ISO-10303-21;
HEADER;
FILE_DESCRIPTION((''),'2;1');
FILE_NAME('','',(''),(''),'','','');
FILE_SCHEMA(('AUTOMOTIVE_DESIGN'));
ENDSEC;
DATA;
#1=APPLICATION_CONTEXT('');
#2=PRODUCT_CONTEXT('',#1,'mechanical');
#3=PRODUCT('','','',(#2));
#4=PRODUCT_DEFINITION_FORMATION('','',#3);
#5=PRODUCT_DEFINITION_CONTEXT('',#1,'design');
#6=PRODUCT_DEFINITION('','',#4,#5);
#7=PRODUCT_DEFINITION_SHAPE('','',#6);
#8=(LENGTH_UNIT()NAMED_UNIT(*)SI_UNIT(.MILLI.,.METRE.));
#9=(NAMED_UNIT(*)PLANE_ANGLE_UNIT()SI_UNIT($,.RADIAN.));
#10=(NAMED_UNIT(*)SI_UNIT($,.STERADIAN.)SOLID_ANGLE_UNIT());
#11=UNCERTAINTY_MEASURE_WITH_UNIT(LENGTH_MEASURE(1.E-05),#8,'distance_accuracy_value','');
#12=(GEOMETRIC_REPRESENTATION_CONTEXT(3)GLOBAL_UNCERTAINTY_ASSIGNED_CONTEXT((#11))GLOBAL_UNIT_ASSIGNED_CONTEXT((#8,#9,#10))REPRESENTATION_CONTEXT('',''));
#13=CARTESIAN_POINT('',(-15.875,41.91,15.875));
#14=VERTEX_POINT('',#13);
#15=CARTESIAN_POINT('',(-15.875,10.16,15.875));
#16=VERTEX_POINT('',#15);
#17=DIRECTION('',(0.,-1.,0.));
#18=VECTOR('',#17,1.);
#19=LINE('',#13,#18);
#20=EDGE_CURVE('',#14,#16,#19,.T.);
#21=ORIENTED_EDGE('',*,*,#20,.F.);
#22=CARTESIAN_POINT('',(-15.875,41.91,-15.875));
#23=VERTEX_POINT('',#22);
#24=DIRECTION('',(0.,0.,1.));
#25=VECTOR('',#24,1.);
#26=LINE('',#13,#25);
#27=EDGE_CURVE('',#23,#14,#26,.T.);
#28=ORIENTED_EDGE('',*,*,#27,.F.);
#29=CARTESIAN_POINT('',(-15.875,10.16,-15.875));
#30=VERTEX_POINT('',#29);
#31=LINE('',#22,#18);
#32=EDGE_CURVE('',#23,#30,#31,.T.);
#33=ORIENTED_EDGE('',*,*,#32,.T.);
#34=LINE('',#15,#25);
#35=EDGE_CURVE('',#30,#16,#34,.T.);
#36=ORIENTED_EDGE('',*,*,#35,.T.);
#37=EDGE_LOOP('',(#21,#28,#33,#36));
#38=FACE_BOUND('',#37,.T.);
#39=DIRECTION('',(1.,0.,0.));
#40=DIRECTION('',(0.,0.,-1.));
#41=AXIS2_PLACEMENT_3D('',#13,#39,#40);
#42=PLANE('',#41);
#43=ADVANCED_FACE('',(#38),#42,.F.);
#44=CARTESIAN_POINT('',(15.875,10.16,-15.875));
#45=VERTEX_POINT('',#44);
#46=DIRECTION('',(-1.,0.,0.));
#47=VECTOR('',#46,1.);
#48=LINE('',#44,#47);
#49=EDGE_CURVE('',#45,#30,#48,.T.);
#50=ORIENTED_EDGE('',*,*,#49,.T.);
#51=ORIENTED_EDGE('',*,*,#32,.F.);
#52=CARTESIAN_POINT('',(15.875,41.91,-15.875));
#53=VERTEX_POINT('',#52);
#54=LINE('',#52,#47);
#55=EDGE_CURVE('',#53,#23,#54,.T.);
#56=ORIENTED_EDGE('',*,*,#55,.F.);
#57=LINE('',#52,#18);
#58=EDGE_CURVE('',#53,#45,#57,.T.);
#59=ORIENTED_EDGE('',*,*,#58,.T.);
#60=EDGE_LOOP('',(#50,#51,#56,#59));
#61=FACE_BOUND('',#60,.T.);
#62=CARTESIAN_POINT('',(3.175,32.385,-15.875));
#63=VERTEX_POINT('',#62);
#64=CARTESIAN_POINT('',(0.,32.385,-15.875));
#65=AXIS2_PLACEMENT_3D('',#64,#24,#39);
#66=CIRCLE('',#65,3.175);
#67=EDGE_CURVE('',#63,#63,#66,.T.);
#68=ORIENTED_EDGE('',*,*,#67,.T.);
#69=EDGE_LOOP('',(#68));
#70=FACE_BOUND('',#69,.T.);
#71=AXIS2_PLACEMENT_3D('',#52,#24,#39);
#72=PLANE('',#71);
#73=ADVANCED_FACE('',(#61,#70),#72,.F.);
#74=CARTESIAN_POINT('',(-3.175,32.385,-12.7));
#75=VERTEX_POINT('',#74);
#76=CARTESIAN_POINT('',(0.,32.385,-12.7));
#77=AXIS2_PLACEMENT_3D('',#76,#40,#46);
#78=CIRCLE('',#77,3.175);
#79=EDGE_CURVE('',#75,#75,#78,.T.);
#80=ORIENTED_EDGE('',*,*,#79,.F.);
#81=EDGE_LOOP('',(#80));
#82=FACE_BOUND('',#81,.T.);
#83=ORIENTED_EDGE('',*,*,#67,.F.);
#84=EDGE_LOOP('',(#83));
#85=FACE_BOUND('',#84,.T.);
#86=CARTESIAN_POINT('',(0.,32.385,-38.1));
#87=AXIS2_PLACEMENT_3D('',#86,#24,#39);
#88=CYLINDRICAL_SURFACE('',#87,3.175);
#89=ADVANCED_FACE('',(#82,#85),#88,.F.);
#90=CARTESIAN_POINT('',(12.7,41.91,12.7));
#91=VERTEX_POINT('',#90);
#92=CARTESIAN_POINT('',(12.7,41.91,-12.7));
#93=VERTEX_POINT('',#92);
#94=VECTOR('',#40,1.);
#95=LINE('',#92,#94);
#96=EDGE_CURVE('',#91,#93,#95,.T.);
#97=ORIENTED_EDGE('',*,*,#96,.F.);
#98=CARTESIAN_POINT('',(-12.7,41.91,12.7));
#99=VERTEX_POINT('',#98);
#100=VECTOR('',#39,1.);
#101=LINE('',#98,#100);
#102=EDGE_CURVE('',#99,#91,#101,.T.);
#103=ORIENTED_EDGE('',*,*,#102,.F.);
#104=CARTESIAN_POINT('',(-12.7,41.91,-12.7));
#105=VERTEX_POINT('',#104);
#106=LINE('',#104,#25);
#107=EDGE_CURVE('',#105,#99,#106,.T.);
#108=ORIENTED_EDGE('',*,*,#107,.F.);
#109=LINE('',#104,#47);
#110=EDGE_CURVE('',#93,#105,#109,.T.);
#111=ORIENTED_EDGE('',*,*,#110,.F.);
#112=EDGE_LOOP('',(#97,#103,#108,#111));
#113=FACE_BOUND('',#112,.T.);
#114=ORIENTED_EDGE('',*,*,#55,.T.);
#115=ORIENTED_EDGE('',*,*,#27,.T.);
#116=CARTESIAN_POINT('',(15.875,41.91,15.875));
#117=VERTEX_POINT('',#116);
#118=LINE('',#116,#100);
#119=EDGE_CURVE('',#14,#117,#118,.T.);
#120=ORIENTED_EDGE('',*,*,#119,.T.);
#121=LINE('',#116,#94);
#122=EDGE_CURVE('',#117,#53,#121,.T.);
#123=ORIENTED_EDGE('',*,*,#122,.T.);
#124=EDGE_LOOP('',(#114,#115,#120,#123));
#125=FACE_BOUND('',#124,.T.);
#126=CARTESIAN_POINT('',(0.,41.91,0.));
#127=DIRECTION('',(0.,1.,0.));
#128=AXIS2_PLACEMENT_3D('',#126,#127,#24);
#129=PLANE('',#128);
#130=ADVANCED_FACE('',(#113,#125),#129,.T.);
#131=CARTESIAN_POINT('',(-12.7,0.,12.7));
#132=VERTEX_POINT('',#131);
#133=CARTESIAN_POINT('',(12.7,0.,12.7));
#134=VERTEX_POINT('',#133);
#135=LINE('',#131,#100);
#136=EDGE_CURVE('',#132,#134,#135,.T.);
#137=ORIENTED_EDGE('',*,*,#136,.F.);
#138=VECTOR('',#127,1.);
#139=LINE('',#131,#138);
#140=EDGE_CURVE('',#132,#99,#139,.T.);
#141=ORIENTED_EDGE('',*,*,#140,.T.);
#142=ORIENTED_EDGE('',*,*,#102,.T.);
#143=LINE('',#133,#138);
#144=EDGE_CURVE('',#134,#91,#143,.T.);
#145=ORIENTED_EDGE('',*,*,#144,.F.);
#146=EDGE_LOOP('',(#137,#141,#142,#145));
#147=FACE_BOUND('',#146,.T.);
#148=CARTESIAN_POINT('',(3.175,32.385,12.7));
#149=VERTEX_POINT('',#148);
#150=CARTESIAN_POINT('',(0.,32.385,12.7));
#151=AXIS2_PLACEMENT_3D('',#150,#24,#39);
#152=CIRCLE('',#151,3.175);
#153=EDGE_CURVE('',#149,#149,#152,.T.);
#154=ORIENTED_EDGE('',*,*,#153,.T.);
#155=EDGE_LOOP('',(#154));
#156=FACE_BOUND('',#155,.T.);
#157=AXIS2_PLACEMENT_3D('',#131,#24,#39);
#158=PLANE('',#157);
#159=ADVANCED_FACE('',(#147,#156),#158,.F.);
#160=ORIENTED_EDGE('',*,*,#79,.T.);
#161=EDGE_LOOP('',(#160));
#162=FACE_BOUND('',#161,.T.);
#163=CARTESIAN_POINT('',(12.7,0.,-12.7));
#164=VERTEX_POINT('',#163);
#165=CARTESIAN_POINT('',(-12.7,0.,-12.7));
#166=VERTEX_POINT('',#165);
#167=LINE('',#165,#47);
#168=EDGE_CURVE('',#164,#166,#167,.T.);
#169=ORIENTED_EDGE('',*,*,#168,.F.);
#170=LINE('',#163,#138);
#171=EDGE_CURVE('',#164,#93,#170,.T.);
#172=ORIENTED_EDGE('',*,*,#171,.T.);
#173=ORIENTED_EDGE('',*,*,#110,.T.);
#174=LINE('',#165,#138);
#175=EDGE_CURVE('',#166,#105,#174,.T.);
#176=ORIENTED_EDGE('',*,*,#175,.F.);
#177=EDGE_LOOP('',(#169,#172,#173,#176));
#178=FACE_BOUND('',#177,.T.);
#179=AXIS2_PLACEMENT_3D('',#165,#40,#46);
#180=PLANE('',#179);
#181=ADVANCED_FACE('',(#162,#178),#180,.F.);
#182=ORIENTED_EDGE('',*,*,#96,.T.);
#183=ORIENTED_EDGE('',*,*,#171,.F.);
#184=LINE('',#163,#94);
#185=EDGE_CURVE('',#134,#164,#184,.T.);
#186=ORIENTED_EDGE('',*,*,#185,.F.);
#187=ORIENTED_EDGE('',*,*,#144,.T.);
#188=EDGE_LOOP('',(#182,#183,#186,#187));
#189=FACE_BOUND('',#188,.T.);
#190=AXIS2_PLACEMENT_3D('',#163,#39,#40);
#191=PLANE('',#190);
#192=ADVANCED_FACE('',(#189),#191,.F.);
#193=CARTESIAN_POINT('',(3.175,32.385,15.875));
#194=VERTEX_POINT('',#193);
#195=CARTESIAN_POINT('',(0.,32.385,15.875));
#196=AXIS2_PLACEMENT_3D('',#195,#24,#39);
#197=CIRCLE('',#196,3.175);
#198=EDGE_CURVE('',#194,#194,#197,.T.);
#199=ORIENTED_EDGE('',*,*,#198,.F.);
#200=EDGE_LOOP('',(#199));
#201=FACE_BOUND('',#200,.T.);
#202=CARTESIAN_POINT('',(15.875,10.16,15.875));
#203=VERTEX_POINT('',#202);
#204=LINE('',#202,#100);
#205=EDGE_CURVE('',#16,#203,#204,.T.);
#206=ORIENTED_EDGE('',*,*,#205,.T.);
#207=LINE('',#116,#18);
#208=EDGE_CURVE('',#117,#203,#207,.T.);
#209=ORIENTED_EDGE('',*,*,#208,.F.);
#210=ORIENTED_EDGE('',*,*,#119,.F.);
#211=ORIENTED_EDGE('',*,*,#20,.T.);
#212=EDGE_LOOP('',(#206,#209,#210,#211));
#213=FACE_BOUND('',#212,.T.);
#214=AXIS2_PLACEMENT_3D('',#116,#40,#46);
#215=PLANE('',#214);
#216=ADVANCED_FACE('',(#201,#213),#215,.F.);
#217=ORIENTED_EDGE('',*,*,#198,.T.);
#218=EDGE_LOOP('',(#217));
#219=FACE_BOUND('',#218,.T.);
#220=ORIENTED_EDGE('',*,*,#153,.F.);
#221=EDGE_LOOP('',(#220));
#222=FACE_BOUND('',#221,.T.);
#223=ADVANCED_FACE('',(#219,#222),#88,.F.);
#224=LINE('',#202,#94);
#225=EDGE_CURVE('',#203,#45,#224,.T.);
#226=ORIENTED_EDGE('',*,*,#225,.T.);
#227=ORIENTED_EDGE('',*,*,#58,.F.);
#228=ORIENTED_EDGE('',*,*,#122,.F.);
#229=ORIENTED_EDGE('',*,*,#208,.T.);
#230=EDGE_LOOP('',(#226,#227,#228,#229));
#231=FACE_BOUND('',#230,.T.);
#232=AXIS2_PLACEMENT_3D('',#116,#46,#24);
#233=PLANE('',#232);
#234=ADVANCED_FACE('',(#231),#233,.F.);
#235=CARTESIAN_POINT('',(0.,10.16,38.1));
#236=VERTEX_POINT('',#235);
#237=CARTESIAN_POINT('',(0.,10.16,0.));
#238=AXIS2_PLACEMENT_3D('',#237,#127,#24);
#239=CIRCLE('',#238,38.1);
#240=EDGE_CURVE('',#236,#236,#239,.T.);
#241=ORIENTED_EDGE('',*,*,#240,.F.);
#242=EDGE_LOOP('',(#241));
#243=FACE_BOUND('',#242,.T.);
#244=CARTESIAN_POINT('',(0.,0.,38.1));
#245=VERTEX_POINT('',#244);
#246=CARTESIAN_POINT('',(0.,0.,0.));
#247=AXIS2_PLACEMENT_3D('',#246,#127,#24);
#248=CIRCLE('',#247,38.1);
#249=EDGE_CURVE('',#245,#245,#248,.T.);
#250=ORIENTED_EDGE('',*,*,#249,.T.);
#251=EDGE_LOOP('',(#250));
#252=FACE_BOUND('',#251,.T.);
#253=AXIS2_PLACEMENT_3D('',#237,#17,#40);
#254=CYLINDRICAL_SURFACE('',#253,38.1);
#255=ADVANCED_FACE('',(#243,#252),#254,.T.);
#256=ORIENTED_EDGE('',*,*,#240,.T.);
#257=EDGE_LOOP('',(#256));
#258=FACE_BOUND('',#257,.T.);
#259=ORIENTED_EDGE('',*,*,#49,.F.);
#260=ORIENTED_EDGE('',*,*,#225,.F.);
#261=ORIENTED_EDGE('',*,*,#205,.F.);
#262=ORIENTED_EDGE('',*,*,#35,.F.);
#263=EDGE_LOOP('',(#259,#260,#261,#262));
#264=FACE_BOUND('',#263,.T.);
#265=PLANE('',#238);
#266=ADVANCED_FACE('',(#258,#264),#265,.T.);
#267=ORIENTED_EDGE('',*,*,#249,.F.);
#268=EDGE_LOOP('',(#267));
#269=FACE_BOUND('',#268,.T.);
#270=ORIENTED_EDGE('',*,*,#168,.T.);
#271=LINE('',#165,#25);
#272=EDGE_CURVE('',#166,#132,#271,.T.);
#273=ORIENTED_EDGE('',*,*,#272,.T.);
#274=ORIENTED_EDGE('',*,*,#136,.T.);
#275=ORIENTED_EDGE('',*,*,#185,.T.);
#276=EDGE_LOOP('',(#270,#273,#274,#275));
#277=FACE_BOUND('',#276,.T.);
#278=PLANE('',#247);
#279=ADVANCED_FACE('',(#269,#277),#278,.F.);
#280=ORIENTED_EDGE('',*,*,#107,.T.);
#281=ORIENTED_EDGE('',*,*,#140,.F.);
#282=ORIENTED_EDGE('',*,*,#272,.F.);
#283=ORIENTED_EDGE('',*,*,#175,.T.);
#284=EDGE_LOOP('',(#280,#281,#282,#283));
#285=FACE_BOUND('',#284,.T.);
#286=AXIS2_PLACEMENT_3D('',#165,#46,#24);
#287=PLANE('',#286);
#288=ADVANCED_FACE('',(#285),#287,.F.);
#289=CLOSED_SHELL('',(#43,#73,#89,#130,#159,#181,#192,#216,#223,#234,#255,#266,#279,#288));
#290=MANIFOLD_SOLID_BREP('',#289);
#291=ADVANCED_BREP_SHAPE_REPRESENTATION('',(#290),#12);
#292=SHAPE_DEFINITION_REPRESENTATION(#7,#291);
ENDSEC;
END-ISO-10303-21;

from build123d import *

# Parameters (mm, degrees)
SKETCH1_R           = 38.1
BOSS_EXTRUDE1_DEPTH = 10.16
SKETCH2_W           = 31.75
SKETCH2_H           = 31.75
BOSS_EXTRUDE3_DEPTH = 31.75
SKETCH3_W           = 25.4
SKETCH3_H           = 25.4
CUT_EXTRUDE1_DEPTH  = 42.91
SKETCH4_R           = 3.175
CUT_EXTRUDE2_DEPTH  = 54.975


with BuildPart() as part:
    # Sketch1 → Boss-Extrude1 (new body)
    with BuildSketch(Plane(origin=(0, 0, 0), x_dir=(1, 0, 0), z_dir=(0, 1, 0))):
        Circle(SKETCH1_R)
    extrude(amount=BOSS_EXTRUDE1_DEPTH)

    # Sketch2 → Boss-Extrude3 (add)
    with BuildSketch(Plane(origin=(0, 10.16, 0), x_dir=(1, 0, 0), z_dir=(0, 1, 0))):
        Rectangle(SKETCH2_W, SKETCH2_H)
    extrude(amount=BOSS_EXTRUDE3_DEPTH)

    # Sketch3 → Cut-Extrude1 (cut, through all)
    with BuildSketch(Plane(origin=(0, 41.91, 0), x_dir=(1, 0, 0), z_dir=(0, 1, 0))):
        Rectangle(SKETCH3_W, SKETCH3_H)
    extrude(amount=-CUT_EXTRUDE1_DEPTH, mode=Mode.SUBTRACT)

    # Sketch4 → Cut-Extrude2 (cut, through all)
    with BuildSketch(Plane.XY.offset(15.875)):
        with Locations((0, 32.385)):
            Circle(SKETCH4_R)
    extrude(amount=-CUT_EXTRUDE2_DEPTH, mode=Mode.SUBTRACT)


solid = part.part
